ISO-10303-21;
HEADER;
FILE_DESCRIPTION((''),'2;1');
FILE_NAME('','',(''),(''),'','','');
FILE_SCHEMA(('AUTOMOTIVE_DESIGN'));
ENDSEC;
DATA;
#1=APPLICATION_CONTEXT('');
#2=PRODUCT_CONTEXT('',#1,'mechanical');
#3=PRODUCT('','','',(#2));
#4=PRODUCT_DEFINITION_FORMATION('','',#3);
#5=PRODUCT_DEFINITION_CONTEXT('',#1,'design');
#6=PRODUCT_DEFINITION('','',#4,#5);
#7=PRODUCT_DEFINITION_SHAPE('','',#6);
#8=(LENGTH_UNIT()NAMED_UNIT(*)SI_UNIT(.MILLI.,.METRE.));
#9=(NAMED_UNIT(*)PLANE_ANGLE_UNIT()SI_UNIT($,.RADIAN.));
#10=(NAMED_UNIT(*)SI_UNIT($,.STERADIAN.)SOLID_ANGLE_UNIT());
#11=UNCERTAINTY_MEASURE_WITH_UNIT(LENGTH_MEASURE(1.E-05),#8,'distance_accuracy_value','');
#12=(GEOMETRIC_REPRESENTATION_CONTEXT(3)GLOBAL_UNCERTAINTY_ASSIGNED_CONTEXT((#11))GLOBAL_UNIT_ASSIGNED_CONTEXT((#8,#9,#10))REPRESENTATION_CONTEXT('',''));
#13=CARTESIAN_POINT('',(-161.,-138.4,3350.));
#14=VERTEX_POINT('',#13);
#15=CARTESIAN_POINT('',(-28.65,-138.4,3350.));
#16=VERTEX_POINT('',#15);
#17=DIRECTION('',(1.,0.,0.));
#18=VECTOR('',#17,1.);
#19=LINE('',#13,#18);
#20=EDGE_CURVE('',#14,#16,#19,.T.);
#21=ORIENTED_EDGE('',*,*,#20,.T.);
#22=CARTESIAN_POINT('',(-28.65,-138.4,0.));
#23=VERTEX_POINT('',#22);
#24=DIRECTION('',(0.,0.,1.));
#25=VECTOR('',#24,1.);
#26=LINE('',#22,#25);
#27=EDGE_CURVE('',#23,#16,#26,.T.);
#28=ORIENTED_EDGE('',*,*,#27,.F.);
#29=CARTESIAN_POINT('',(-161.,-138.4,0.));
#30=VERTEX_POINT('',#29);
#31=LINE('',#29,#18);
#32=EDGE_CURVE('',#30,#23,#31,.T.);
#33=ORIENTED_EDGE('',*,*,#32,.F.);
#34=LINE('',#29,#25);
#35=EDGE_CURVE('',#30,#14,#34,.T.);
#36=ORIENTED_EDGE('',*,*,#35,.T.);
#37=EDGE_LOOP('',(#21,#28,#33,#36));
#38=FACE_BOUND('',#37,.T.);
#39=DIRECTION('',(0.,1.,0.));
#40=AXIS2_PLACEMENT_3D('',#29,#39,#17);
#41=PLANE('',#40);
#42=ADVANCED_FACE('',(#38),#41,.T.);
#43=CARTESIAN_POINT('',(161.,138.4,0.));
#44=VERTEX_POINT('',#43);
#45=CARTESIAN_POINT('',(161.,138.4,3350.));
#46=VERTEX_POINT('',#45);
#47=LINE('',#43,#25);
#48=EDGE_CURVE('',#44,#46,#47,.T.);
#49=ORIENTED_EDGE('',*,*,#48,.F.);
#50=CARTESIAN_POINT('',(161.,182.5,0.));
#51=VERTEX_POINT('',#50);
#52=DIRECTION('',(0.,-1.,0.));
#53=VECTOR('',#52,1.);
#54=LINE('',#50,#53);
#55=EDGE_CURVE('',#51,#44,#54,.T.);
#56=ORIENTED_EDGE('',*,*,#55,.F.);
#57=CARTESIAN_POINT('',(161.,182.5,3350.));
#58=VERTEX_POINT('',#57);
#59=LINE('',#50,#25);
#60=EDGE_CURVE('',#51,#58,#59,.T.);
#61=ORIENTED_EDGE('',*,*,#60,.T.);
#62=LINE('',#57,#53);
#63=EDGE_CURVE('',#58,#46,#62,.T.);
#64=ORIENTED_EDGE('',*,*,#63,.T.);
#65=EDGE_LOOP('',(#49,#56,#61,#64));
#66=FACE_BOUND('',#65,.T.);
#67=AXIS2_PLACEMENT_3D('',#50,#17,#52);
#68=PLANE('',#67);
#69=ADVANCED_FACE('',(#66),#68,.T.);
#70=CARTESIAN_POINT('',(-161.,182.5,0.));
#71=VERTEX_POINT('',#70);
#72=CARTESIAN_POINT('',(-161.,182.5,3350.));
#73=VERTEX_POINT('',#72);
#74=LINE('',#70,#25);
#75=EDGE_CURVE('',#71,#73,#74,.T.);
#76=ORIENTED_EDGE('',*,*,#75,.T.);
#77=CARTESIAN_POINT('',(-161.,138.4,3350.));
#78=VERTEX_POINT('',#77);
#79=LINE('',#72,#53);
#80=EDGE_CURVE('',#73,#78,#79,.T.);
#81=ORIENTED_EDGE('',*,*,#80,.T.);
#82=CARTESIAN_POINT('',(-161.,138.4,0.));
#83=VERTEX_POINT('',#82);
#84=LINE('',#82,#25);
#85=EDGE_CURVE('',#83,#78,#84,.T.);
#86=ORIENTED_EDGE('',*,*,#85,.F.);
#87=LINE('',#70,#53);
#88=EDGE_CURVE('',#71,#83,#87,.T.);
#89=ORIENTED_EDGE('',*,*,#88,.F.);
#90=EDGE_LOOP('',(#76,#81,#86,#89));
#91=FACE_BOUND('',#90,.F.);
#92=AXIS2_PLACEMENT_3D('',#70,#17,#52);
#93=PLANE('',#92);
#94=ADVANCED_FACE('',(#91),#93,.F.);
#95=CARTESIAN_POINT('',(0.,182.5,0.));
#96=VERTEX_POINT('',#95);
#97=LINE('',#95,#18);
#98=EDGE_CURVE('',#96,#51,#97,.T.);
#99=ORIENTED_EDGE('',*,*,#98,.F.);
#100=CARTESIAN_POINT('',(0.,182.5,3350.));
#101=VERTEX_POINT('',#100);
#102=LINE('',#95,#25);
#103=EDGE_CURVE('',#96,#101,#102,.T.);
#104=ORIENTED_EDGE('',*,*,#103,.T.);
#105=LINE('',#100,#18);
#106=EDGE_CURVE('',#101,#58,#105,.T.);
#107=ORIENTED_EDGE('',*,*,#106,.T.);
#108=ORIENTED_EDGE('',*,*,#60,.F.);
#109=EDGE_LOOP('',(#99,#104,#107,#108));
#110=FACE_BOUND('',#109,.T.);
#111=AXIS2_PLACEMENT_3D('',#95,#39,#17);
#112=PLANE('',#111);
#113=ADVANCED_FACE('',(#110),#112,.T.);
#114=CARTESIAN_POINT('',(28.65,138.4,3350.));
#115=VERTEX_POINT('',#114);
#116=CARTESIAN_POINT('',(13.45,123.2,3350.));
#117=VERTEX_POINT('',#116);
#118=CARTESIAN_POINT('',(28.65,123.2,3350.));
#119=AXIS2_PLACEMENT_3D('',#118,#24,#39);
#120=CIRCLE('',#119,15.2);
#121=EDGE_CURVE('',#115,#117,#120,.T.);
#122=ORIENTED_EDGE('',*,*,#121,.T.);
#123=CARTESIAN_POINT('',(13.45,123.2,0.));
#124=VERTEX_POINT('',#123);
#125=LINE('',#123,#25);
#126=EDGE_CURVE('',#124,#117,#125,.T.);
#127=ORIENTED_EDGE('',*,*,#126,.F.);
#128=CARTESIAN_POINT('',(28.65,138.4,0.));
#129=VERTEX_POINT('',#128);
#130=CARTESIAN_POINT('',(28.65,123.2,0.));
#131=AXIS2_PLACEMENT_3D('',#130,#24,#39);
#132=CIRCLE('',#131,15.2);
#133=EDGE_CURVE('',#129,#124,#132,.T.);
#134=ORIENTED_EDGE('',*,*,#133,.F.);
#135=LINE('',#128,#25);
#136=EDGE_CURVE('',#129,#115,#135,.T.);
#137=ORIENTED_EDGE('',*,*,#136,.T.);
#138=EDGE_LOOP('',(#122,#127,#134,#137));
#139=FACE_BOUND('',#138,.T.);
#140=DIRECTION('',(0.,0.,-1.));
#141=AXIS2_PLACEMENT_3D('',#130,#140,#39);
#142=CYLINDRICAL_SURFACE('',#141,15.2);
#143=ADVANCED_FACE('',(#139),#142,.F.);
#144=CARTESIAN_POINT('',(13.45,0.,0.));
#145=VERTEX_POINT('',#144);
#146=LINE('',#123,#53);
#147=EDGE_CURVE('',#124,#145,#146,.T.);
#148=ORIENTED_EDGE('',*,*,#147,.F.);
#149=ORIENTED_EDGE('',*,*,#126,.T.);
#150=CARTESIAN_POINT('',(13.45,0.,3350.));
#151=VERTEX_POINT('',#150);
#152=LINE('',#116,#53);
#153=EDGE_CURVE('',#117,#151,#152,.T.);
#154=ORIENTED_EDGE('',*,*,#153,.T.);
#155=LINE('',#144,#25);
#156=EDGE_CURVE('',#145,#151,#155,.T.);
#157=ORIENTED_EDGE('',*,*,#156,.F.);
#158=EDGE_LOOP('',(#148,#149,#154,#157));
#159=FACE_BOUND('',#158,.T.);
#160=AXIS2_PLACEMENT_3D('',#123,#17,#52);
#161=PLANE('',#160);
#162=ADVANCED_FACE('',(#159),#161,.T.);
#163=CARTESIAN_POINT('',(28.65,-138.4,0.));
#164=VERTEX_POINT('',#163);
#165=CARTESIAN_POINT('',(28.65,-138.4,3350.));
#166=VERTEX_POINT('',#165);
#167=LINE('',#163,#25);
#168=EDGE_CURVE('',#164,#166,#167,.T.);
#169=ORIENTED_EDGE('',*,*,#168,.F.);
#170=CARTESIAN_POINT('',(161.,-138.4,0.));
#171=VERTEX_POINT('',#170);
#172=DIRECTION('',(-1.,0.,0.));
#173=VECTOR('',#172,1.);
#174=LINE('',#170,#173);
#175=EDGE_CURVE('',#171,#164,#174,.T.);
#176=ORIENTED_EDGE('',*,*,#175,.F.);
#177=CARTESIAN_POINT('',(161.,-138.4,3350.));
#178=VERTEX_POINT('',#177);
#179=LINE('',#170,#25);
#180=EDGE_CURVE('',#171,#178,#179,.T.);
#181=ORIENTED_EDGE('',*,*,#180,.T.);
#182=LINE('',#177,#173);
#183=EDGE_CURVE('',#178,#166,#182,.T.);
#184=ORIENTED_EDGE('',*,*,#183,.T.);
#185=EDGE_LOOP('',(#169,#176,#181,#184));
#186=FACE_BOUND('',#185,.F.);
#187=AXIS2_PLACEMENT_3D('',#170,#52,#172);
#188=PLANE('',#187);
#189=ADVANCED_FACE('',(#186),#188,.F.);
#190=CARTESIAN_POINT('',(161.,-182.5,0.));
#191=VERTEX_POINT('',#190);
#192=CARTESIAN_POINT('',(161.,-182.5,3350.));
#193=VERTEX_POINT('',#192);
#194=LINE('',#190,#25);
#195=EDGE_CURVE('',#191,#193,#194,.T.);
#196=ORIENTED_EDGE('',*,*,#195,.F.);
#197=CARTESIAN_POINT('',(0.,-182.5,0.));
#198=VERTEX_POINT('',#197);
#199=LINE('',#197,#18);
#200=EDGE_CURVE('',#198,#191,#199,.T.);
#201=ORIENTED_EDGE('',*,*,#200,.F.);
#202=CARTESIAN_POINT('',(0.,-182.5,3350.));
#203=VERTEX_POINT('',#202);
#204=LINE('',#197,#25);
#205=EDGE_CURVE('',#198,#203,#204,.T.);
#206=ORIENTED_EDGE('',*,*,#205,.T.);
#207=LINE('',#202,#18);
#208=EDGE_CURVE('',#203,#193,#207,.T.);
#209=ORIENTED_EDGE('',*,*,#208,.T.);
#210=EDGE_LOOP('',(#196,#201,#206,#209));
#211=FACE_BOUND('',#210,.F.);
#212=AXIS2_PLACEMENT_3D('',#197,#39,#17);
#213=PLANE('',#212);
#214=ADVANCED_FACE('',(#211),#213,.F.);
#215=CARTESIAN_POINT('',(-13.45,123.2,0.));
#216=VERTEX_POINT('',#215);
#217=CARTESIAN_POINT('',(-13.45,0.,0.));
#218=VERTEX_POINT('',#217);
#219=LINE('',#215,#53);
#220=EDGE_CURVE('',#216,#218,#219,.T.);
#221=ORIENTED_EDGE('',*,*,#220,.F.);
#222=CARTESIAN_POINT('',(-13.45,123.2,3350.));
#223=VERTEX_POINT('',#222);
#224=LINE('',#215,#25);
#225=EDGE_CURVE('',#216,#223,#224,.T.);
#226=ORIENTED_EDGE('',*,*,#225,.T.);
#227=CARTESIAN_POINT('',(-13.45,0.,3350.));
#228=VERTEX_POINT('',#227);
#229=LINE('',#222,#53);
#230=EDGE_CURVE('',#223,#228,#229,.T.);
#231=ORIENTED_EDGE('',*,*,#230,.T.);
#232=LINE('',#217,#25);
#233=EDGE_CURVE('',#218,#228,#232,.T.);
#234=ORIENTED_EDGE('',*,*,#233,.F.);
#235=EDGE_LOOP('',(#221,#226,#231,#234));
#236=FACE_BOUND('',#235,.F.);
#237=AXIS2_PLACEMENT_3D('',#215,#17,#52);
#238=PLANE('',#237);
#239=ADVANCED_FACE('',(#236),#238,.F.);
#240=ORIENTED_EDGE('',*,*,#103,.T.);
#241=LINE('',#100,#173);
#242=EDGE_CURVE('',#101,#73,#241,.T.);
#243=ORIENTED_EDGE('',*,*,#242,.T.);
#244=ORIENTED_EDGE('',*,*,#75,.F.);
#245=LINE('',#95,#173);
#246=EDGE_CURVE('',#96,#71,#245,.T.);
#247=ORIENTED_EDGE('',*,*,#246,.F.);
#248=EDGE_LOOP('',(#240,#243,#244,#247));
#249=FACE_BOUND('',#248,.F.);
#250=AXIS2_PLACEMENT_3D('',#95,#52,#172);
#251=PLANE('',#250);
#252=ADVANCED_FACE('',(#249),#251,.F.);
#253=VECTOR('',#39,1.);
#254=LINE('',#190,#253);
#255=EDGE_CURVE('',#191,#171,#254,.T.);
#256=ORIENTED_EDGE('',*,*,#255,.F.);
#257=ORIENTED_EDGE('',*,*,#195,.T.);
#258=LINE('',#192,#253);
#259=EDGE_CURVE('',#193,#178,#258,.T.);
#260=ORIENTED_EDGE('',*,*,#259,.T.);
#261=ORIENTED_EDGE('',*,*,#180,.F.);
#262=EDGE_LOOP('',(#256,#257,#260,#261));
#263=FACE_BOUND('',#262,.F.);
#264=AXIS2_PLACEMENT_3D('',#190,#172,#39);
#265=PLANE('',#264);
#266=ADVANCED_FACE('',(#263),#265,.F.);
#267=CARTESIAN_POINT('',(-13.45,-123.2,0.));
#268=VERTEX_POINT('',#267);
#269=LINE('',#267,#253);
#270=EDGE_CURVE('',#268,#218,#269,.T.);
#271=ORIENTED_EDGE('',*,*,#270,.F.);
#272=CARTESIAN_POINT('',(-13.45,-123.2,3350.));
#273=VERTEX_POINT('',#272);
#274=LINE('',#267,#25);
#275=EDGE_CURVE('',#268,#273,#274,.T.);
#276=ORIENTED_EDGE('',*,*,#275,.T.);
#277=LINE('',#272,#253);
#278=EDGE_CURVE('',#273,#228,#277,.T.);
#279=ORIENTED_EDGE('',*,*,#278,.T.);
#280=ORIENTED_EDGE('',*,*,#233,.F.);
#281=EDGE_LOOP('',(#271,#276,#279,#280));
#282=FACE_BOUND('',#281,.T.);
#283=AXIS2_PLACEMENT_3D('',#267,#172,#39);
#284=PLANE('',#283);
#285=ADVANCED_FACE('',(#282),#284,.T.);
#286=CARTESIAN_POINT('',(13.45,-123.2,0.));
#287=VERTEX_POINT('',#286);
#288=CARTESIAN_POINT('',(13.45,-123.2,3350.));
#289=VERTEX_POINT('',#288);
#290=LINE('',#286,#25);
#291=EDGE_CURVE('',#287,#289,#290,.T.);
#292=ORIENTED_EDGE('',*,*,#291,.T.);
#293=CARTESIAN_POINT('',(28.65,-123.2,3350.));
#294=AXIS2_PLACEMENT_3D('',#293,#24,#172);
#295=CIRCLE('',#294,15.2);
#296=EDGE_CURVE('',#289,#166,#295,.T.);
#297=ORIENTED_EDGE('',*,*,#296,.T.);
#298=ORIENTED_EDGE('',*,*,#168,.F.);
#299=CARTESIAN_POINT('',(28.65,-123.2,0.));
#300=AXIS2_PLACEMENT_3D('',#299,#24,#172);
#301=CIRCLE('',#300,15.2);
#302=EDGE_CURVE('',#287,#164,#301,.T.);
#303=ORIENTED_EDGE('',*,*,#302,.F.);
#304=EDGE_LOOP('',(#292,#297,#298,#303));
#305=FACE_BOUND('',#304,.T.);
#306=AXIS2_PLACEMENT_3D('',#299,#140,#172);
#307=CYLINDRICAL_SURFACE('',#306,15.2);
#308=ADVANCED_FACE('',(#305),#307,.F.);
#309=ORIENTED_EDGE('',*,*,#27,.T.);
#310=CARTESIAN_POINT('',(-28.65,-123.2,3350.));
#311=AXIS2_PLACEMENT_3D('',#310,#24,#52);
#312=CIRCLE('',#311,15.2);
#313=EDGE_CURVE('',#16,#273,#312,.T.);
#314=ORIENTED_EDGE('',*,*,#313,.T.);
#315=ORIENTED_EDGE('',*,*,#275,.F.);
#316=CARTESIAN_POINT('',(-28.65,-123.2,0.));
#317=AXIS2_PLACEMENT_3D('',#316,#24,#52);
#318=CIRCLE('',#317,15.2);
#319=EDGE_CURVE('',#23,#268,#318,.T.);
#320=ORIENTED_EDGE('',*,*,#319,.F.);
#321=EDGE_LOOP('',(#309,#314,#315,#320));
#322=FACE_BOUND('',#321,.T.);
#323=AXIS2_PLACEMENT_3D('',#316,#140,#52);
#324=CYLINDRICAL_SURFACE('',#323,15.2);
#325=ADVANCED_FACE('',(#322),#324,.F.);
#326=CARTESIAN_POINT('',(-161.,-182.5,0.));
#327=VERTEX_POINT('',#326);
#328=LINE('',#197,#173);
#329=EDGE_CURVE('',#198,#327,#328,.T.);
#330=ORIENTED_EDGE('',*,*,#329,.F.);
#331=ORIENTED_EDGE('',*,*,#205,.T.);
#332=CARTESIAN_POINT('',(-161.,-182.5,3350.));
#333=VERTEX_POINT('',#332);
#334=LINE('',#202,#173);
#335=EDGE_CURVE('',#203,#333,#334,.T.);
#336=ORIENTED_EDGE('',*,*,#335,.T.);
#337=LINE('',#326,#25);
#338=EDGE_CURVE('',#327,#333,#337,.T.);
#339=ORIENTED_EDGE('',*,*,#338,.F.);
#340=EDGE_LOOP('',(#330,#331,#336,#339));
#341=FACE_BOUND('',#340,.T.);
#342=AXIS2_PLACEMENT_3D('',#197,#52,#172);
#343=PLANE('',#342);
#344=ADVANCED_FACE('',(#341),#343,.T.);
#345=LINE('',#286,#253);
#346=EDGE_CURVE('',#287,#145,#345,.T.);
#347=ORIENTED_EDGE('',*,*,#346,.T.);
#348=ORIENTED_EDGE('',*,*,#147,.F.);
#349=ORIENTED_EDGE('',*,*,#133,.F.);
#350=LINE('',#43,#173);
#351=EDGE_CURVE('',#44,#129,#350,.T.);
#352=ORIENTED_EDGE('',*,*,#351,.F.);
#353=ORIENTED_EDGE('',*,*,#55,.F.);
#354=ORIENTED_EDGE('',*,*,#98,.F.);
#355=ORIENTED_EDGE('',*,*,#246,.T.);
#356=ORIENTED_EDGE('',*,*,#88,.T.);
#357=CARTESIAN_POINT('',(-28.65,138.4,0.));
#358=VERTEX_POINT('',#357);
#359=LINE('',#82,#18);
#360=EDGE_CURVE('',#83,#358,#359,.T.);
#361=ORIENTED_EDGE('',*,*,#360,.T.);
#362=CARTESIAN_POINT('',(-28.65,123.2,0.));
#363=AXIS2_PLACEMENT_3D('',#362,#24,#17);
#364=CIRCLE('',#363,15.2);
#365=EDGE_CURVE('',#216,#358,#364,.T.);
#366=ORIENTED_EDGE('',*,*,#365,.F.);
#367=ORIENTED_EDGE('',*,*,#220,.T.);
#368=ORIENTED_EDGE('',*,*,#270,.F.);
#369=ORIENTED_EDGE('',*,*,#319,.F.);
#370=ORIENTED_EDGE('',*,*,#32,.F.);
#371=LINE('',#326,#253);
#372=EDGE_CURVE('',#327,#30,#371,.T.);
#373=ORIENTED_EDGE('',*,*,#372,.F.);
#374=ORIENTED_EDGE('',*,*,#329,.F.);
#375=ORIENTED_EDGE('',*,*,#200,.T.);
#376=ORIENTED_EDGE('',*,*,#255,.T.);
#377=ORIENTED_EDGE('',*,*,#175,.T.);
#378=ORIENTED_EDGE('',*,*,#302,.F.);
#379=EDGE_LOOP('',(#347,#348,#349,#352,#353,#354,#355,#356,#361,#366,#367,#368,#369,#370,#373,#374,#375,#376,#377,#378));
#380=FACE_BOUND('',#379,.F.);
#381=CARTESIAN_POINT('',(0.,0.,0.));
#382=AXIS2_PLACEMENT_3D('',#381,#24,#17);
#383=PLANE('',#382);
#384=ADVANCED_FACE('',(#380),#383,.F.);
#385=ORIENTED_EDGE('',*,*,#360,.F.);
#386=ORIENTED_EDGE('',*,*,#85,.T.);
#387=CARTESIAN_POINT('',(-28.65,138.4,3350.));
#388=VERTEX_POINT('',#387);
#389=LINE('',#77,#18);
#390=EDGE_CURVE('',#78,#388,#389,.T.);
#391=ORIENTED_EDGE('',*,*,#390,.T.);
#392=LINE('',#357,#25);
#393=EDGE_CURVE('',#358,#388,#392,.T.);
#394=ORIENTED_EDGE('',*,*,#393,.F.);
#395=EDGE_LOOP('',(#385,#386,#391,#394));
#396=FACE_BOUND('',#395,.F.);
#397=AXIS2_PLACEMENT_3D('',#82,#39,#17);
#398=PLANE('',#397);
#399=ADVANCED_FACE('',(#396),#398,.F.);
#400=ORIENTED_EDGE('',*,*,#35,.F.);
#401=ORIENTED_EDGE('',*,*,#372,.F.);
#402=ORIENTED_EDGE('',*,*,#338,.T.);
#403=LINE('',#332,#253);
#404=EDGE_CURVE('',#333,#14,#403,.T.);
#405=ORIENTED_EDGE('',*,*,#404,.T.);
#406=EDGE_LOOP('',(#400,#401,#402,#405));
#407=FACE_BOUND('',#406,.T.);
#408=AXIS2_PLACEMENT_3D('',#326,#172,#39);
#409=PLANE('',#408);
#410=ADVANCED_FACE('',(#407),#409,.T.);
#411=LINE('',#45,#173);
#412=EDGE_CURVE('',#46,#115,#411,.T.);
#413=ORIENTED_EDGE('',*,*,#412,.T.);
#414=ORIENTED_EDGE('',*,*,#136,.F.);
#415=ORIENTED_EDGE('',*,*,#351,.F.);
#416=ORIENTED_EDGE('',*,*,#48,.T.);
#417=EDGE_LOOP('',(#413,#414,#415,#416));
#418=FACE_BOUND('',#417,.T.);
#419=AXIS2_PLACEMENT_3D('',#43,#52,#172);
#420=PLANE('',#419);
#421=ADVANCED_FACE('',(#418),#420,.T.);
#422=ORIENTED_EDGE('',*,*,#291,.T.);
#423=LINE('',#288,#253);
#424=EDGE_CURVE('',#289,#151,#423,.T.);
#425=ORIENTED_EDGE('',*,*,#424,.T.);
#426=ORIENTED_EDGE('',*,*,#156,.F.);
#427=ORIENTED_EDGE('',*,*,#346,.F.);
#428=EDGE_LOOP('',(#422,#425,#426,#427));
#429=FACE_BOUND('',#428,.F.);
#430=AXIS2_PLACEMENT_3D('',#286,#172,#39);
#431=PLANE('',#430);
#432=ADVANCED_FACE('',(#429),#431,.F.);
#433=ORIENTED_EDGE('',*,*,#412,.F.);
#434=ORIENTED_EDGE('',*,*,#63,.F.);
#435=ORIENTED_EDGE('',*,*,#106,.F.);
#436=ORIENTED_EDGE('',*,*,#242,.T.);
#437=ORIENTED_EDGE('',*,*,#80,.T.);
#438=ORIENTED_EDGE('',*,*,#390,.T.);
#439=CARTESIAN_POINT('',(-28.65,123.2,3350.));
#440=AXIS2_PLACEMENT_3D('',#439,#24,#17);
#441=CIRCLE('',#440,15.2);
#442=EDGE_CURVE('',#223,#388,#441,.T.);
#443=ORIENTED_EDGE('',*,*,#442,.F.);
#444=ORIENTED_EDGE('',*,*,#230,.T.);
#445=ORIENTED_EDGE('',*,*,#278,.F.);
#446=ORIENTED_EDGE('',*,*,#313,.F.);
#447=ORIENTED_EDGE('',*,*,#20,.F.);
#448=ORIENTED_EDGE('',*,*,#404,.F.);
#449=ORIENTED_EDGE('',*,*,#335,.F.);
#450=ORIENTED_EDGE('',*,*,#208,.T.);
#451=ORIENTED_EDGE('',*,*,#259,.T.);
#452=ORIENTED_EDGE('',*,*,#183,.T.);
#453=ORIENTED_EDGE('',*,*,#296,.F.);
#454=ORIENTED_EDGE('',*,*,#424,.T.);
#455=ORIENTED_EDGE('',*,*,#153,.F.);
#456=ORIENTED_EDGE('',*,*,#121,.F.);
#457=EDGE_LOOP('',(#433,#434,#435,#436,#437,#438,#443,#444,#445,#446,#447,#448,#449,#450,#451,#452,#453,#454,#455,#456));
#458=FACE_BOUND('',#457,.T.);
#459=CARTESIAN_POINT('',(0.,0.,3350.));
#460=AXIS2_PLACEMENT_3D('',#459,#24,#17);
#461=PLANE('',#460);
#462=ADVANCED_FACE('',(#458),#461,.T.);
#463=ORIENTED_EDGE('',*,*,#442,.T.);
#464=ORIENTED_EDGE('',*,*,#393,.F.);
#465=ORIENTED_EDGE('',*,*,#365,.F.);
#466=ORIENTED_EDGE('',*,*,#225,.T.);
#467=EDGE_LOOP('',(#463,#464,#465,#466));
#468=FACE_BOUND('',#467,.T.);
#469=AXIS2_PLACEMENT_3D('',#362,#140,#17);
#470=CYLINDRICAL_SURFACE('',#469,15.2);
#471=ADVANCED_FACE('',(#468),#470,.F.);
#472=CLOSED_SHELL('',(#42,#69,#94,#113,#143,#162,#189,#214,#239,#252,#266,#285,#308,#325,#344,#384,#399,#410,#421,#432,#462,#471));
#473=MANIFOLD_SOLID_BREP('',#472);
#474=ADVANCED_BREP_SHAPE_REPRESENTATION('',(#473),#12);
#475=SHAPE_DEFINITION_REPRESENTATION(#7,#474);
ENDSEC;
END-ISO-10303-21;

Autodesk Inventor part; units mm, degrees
ref_plane "YZ Plane" through (0, 0, 0) normal (1, 0, 0) x (0, 1, 0)
ref_plane "Start plane" through (0, 0, 0) normal (0, 0, 1) x (1, 0, 0)
ref_plane "End plane" through (0, 0, 3350) normal (0, 0, 1) x (1, 0, 0)
sketch "Sketch" plane through (0, 0, 0) normal (0, 0, 1) x (1, 0, 0)
  line L0 (-161, -182.5) -> (-161, -138.4)
  line L1 (-161, -138.4) -> (-28.65, -138.4)
  line L2 (-13.45, -123.2) -> (-13.45, 0)
  line L3 (-13.45, 0) -> (0, 0) construction
  line L4 (0, 0) -> (0, -182.5) construction
  line L5 (0, -182.5) -> (-161, -182.5)
  line L6 (-60, 0) -> (80, 0) construction
  line L7 (0, -60) -> (0, 80) construction
  line L8 (161, -182.5) -> (161, -138.4)
  line L9 (161, -138.4) -> (28.65, -138.4)
  line L10 (13.45, -123.2) -> (13.45, 0)
  line L11 (13.45, 0) -> (0, 0) construction
  line L12 (0, -182.5) -> (161, -182.5)
  line L13 (-161, 182.5) -> (-161, 138.4)
  line L14 (-161, 138.4) -> (-28.65, 138.4)
  line L15 (-13.45, 123.2) -> (-13.45, 0)
  line L16 (0, 182.5) -> (-161, 182.5)
  line L17 (161, 182.5) -> (161, 138.4)
  line L18 (161, 138.4) -> (28.65, 138.4)
  line L19 (0, 182.5) -> (161, 182.5)
  line L20 (13.45, 123.2) -> (13.45, 0)
  arc A0 (-13.45, 123.2) -> (-28.65, 138.4) centre (-28.65, 123.2) ccw
  arc A1 (28.65, 138.4) -> (13.45, 123.2) centre (28.65, 123.2) ccw
  arc A2 (13.45, -123.2) -> (28.65, -138.4) centre (28.65, -123.2) ccw
  arc A3 (-28.65, -138.4) -> (-13.45, -123.2) centre (-28.65, -123.2) ccw
  line L21 (0, 108) -> (0, -88) construction
  line L22 (-88, 0) -> (108, 0) construction
  point P0 (-13.45, -138.4)
  point P1 (13.45, -138.4)
  point P2 (-13.45, 138.4)
  point P3 (13.45, 138.4)
  dimension "d1" = 182.5
  dimension "d2" = 44.1
  dimension "d3" = 161
  dimension "d4" = 13.45
  dimension "d10" = 15.2
extrude "Body" add sketch "Sketch" along normal up to surface (3350 mm away) from surface at 0
sketch "Sketch4" plane through (0, 0, 0) normal (0, 0, 1) x (1, 0, 0)
  line L0 (0, 0) -> (10, 0)
ref_plane "Work Plane3" through (0, 0, 0) normal (0, -1, 0) x (1, 0, 0)
sketch "Sketch5" plane through (0, 0, 0) normal (0, -1, 0) x (1, 0, 0)
  line L0 (-2, 0) -> (12, 0) projected
  line L1 (-2, 3350) -> (12, 3350) projected
  dimension "d14" = 3350
equation "\"d1\" = 0.5 * G_H"
equation "\"d2\" = G_T1"
equation "\"d3\" = 0.5 * G_W"
equation "\"d4\" = 0.5 * G_T"
equation "\"d10\" = G_IR"
equation "\"d5\" = G_L"
equation "\"G_W\" = 322"
equation "\"G_H\" = 365"
equation "\"G_T\" = 26.9"
equation "\"G_T1\" = 44.1"
equation "\"G_IR\" = 15.2"
equation "\"G_L\" = d14"
equation "\"G_OFFSET_START\" = 0"
equation "\"G_OFFSET_END\" = 0"
properties part number "AS 3679 - 310 UC - 283 - 3350" material "Steel, Mild"
